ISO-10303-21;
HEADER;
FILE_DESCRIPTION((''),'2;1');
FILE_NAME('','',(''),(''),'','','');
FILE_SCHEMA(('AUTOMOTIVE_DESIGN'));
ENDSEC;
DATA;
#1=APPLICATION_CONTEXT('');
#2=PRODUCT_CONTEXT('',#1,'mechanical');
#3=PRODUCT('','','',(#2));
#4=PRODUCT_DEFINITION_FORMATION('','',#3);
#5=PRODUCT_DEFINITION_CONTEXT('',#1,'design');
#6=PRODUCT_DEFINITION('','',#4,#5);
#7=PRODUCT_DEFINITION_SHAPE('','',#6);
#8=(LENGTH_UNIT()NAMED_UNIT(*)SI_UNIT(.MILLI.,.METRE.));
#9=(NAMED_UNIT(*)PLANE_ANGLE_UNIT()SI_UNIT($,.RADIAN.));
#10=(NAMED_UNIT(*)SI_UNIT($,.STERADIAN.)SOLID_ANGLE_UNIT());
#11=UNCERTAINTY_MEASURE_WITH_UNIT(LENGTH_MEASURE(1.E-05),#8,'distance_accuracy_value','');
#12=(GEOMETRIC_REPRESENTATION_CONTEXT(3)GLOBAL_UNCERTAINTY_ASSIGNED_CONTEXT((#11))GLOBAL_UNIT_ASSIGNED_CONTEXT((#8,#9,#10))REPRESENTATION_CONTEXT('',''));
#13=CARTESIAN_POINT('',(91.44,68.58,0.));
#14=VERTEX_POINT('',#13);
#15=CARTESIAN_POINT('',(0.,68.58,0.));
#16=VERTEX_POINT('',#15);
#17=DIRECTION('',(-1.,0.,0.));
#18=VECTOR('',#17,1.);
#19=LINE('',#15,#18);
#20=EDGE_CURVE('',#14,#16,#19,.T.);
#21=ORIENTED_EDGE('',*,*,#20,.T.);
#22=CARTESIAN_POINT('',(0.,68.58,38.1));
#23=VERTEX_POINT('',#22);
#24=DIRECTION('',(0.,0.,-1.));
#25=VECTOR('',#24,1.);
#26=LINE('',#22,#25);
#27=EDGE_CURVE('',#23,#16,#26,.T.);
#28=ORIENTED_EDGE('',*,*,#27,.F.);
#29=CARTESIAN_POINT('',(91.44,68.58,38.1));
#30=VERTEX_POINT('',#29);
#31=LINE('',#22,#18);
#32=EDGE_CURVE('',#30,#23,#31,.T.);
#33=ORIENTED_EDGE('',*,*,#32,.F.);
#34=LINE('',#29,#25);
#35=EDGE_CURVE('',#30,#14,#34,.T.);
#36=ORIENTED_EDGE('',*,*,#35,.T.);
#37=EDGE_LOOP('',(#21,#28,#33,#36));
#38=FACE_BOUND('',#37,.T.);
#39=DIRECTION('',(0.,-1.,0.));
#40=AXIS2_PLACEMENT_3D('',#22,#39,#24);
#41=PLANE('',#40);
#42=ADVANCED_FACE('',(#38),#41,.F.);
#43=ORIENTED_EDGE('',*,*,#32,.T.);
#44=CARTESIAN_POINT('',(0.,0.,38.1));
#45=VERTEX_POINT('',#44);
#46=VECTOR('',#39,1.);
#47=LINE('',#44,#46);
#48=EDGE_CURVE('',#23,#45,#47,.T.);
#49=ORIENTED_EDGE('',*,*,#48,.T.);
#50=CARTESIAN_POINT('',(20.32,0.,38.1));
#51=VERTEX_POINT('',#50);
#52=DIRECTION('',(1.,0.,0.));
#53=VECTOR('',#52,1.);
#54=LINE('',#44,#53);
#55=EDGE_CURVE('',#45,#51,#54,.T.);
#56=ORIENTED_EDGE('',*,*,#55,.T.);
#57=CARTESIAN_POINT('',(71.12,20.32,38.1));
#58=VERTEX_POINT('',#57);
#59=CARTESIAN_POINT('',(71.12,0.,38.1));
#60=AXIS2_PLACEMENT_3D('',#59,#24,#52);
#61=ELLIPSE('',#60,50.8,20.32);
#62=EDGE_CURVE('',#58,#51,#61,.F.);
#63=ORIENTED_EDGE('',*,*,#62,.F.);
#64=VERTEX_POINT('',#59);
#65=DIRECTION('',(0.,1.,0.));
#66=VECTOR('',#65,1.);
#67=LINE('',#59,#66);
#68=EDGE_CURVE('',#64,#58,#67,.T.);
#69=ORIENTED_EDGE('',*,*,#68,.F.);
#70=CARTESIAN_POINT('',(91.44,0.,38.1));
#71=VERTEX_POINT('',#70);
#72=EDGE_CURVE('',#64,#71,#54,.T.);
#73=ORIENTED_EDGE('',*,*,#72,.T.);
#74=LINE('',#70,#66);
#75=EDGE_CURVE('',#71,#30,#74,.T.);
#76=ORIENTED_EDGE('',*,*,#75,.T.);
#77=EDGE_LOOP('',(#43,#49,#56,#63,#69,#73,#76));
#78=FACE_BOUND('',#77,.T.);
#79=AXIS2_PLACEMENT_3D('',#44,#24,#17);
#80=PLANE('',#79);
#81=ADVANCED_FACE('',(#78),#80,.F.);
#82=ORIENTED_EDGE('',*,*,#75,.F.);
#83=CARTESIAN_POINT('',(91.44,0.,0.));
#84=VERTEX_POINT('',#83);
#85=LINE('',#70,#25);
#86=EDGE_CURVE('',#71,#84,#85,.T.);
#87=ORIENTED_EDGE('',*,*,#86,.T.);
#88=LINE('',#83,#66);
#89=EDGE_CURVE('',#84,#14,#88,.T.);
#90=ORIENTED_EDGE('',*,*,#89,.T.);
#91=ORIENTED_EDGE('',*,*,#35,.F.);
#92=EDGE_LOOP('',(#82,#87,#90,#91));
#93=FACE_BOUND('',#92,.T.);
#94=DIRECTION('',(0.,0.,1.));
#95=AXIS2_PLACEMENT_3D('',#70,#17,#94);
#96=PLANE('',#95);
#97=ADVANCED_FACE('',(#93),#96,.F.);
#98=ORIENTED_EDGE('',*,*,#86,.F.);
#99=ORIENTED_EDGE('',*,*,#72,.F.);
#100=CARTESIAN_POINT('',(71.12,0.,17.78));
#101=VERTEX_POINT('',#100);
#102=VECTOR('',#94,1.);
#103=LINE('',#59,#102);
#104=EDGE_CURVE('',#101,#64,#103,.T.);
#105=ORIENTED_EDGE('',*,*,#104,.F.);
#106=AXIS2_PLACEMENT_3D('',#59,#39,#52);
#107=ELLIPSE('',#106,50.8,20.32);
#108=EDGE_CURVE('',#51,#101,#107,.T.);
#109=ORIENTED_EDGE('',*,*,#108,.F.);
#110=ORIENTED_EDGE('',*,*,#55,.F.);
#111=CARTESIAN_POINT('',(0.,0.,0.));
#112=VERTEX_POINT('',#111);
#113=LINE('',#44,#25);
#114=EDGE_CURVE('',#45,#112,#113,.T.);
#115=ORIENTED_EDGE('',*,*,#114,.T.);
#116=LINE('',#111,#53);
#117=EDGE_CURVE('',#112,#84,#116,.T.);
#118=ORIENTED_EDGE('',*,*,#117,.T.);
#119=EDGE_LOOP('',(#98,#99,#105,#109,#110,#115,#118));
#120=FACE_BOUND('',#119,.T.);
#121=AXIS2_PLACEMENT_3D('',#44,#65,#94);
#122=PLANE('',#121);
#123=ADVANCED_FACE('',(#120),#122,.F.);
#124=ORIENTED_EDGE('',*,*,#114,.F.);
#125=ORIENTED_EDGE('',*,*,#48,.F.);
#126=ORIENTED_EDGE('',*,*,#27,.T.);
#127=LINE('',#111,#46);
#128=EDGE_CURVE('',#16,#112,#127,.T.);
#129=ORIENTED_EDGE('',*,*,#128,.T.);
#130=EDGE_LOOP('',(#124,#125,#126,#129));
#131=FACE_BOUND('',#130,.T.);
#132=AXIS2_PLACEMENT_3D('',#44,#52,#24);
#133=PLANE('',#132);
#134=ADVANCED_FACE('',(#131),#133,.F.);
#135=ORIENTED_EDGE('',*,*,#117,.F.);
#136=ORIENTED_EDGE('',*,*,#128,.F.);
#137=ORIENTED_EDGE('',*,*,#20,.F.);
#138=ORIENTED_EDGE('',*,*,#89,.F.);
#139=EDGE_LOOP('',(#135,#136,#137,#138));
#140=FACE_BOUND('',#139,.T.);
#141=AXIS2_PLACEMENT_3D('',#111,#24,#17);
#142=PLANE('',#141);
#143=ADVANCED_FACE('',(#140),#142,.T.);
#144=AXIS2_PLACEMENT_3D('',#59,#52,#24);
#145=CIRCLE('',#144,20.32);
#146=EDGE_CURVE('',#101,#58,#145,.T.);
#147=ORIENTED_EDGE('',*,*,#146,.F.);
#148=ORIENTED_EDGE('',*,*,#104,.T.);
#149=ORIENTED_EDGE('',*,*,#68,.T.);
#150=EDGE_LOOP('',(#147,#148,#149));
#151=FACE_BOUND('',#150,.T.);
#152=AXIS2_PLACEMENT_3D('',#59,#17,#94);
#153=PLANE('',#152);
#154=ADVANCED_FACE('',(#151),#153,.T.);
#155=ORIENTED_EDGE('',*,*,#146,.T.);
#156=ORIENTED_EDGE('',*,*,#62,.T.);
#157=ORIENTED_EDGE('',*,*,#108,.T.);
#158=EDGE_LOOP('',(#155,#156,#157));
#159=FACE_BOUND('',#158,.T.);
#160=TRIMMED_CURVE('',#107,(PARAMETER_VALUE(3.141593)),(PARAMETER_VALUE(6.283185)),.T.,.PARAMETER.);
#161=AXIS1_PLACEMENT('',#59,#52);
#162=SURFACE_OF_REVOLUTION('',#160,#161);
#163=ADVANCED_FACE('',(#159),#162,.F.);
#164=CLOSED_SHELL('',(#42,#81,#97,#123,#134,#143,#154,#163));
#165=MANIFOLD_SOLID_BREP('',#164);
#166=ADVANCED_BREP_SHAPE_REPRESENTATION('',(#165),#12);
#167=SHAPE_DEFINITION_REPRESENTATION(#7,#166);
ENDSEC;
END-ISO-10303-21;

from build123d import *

# Parameters (mm, degrees)
SKETCH1_W           = 91.44
SKETCH1_H           = 68.58
BOSS_EXTRUDE1_DEPTH = 38.1


with BuildPart() as part:
    # Sketch1 → Boss-Extrude1 (new body)
    with BuildSketch(Plane.XY):
        with Locations((45.72, 34.29)):
            Rectangle(SKETCH1_W, SKETCH1_H)
    extrude(amount=BOSS_EXTRUDE1_DEPTH)

    # Sketch4 → Cut-Revolve2 (revolve, cut)
    with BuildSketch(Plane(origin=(0, 0, 0), x_dir=(-1, 0, 0), z_dir=(0, -1, 0))):
        with BuildLine():
            Line((-71.12, -38.1), (-71.12, -17.78))
            add(Edge.make_bspline(
                [(-20.32, -38.1), (-20.32, -17.78), (-71.12, -17.78)],
                knots=[3.141592654, 3.141592654, 3.141592654, 4.71238898, 4.71238898, 4.71238898], degree=2, weights=[1, 0.707106781, 1]))
            Line((-20.32, -38.1), (-71.12, -38.1))
        make_face()
    revolve(axis=Axis((71.12, 0, 38.1), (-1, 0, 0)), mode=Mode.SUBTRACT)


solid = part.part
